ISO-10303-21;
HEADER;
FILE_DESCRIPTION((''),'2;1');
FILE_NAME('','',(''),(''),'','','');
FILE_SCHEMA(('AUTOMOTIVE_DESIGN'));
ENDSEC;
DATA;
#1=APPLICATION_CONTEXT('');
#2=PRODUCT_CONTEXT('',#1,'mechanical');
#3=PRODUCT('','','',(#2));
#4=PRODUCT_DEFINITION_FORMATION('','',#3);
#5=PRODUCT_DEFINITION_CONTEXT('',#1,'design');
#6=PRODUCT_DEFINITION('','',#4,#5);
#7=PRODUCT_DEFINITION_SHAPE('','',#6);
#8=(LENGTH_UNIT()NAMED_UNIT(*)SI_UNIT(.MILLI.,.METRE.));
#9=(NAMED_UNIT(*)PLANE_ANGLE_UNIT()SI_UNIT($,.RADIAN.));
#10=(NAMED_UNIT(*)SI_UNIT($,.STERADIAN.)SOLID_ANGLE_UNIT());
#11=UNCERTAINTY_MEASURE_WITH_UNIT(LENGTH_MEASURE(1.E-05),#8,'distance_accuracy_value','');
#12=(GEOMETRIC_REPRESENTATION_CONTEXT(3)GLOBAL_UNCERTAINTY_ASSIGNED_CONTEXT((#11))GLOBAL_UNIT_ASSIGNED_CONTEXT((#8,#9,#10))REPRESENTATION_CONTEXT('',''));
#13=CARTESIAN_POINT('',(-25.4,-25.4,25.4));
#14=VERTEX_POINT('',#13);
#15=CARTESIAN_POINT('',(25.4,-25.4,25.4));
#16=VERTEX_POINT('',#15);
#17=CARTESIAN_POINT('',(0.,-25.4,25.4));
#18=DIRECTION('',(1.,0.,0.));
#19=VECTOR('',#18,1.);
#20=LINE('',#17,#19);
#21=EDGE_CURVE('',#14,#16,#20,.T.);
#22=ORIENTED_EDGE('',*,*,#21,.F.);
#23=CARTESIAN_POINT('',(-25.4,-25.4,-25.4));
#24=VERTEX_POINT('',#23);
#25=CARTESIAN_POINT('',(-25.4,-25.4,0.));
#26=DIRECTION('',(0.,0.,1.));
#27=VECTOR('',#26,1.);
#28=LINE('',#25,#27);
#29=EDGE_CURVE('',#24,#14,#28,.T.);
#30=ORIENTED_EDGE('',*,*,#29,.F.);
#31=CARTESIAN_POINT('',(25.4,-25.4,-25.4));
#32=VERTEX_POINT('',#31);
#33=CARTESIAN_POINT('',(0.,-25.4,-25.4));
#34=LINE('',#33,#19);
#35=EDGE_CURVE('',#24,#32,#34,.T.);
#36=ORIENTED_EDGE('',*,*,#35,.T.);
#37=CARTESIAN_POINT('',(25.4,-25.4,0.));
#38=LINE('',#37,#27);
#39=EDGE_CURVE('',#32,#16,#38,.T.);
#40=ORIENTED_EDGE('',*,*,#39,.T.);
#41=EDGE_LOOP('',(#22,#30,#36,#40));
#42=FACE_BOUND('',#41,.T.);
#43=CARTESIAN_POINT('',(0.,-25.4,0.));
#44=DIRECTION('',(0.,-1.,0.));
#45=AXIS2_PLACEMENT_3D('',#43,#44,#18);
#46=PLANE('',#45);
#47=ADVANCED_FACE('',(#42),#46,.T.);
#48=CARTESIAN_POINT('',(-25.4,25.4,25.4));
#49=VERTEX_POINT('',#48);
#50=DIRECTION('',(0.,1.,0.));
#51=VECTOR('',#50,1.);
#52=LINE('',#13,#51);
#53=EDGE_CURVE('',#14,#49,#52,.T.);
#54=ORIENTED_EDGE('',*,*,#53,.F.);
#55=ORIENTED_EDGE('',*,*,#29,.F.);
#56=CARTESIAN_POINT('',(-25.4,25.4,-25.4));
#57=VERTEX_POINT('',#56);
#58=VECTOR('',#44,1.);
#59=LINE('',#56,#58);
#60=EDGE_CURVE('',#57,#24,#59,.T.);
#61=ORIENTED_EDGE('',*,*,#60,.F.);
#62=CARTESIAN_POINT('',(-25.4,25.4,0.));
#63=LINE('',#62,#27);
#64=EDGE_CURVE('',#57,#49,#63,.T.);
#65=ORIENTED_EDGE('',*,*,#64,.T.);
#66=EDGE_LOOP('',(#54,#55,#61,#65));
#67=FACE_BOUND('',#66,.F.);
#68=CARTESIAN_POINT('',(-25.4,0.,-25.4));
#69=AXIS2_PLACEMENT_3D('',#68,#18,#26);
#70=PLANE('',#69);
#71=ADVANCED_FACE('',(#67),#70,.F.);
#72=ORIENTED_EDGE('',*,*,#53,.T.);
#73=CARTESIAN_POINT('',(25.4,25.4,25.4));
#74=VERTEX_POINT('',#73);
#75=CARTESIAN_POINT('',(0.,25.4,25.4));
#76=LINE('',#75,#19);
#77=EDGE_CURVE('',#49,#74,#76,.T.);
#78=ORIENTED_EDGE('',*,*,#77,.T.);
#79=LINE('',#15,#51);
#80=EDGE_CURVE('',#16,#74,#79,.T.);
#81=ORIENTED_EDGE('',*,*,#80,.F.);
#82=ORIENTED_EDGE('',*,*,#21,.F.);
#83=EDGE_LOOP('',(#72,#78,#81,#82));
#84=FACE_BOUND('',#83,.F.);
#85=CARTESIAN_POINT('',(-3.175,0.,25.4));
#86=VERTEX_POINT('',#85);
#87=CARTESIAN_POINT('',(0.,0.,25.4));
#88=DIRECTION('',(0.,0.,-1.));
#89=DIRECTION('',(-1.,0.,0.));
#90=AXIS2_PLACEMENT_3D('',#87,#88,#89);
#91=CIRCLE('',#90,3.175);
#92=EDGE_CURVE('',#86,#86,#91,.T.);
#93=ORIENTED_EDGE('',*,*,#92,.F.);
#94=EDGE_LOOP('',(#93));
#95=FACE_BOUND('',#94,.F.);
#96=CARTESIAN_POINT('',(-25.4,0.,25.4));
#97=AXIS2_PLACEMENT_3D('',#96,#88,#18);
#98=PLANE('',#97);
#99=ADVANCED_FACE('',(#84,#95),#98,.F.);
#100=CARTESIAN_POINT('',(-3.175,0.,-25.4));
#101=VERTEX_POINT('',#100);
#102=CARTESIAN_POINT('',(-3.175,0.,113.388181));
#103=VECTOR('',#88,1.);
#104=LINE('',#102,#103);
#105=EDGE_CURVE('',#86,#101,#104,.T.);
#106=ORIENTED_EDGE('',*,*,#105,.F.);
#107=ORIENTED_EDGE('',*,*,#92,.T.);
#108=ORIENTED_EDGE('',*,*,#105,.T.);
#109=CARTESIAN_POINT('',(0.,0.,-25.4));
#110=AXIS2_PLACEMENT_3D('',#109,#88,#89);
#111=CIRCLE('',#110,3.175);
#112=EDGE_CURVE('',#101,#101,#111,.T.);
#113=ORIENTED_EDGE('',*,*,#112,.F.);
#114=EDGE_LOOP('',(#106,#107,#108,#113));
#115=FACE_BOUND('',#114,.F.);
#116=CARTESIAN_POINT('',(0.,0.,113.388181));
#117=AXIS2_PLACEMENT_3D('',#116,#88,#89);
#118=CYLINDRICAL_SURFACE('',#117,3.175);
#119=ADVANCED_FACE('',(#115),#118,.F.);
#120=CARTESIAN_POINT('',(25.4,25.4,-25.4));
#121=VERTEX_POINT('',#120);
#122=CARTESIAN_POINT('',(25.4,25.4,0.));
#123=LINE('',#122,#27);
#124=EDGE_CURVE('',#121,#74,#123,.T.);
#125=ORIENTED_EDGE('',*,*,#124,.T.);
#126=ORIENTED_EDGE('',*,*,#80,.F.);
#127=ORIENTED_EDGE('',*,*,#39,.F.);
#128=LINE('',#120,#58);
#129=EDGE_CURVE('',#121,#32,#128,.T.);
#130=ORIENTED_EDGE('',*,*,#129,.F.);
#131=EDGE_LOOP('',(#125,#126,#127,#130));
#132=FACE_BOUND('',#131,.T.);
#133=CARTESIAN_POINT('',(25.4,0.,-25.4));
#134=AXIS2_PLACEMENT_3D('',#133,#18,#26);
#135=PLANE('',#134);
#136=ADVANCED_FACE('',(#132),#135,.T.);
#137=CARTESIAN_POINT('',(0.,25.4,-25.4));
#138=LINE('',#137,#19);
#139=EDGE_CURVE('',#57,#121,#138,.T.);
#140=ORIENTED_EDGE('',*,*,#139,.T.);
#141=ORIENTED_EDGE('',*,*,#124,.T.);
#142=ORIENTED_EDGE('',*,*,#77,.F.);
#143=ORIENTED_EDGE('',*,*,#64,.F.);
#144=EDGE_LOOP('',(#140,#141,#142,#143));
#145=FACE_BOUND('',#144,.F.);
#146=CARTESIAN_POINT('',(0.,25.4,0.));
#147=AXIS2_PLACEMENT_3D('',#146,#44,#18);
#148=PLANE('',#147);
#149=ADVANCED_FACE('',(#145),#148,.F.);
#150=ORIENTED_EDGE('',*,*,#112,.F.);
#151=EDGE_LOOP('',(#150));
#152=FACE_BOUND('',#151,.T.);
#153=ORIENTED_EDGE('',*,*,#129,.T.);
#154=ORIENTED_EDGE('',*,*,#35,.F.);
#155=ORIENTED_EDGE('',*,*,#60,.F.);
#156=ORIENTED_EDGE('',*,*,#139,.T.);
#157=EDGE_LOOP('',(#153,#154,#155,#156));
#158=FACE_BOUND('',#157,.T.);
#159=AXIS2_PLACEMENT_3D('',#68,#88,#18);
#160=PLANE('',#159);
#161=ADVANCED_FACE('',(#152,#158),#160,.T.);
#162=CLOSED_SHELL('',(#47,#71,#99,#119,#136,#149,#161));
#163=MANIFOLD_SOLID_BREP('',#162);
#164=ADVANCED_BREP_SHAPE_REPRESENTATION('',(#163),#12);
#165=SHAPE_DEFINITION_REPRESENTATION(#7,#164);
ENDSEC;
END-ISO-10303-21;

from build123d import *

# Parameters (mm, degrees)
F0_W     = 50.8
F0_H     = 50.8
F1_DEPTH = 25.4
F3_D     = 6.35


with BuildPart() as f1:
    # F0 (on Front) → F1 (new body, symmetric)
    with BuildSketch(Plane.XZ):
        Rectangle(F0_W, F0_H)
    extrude(amount=F1_DEPTH, both=True)

    # F3 (through all)
    with Locations(Plane.XY.offset(25.4)):
        with Locations((0, 0)):
            Hole(F3_D / 2)


solid = f1.part
